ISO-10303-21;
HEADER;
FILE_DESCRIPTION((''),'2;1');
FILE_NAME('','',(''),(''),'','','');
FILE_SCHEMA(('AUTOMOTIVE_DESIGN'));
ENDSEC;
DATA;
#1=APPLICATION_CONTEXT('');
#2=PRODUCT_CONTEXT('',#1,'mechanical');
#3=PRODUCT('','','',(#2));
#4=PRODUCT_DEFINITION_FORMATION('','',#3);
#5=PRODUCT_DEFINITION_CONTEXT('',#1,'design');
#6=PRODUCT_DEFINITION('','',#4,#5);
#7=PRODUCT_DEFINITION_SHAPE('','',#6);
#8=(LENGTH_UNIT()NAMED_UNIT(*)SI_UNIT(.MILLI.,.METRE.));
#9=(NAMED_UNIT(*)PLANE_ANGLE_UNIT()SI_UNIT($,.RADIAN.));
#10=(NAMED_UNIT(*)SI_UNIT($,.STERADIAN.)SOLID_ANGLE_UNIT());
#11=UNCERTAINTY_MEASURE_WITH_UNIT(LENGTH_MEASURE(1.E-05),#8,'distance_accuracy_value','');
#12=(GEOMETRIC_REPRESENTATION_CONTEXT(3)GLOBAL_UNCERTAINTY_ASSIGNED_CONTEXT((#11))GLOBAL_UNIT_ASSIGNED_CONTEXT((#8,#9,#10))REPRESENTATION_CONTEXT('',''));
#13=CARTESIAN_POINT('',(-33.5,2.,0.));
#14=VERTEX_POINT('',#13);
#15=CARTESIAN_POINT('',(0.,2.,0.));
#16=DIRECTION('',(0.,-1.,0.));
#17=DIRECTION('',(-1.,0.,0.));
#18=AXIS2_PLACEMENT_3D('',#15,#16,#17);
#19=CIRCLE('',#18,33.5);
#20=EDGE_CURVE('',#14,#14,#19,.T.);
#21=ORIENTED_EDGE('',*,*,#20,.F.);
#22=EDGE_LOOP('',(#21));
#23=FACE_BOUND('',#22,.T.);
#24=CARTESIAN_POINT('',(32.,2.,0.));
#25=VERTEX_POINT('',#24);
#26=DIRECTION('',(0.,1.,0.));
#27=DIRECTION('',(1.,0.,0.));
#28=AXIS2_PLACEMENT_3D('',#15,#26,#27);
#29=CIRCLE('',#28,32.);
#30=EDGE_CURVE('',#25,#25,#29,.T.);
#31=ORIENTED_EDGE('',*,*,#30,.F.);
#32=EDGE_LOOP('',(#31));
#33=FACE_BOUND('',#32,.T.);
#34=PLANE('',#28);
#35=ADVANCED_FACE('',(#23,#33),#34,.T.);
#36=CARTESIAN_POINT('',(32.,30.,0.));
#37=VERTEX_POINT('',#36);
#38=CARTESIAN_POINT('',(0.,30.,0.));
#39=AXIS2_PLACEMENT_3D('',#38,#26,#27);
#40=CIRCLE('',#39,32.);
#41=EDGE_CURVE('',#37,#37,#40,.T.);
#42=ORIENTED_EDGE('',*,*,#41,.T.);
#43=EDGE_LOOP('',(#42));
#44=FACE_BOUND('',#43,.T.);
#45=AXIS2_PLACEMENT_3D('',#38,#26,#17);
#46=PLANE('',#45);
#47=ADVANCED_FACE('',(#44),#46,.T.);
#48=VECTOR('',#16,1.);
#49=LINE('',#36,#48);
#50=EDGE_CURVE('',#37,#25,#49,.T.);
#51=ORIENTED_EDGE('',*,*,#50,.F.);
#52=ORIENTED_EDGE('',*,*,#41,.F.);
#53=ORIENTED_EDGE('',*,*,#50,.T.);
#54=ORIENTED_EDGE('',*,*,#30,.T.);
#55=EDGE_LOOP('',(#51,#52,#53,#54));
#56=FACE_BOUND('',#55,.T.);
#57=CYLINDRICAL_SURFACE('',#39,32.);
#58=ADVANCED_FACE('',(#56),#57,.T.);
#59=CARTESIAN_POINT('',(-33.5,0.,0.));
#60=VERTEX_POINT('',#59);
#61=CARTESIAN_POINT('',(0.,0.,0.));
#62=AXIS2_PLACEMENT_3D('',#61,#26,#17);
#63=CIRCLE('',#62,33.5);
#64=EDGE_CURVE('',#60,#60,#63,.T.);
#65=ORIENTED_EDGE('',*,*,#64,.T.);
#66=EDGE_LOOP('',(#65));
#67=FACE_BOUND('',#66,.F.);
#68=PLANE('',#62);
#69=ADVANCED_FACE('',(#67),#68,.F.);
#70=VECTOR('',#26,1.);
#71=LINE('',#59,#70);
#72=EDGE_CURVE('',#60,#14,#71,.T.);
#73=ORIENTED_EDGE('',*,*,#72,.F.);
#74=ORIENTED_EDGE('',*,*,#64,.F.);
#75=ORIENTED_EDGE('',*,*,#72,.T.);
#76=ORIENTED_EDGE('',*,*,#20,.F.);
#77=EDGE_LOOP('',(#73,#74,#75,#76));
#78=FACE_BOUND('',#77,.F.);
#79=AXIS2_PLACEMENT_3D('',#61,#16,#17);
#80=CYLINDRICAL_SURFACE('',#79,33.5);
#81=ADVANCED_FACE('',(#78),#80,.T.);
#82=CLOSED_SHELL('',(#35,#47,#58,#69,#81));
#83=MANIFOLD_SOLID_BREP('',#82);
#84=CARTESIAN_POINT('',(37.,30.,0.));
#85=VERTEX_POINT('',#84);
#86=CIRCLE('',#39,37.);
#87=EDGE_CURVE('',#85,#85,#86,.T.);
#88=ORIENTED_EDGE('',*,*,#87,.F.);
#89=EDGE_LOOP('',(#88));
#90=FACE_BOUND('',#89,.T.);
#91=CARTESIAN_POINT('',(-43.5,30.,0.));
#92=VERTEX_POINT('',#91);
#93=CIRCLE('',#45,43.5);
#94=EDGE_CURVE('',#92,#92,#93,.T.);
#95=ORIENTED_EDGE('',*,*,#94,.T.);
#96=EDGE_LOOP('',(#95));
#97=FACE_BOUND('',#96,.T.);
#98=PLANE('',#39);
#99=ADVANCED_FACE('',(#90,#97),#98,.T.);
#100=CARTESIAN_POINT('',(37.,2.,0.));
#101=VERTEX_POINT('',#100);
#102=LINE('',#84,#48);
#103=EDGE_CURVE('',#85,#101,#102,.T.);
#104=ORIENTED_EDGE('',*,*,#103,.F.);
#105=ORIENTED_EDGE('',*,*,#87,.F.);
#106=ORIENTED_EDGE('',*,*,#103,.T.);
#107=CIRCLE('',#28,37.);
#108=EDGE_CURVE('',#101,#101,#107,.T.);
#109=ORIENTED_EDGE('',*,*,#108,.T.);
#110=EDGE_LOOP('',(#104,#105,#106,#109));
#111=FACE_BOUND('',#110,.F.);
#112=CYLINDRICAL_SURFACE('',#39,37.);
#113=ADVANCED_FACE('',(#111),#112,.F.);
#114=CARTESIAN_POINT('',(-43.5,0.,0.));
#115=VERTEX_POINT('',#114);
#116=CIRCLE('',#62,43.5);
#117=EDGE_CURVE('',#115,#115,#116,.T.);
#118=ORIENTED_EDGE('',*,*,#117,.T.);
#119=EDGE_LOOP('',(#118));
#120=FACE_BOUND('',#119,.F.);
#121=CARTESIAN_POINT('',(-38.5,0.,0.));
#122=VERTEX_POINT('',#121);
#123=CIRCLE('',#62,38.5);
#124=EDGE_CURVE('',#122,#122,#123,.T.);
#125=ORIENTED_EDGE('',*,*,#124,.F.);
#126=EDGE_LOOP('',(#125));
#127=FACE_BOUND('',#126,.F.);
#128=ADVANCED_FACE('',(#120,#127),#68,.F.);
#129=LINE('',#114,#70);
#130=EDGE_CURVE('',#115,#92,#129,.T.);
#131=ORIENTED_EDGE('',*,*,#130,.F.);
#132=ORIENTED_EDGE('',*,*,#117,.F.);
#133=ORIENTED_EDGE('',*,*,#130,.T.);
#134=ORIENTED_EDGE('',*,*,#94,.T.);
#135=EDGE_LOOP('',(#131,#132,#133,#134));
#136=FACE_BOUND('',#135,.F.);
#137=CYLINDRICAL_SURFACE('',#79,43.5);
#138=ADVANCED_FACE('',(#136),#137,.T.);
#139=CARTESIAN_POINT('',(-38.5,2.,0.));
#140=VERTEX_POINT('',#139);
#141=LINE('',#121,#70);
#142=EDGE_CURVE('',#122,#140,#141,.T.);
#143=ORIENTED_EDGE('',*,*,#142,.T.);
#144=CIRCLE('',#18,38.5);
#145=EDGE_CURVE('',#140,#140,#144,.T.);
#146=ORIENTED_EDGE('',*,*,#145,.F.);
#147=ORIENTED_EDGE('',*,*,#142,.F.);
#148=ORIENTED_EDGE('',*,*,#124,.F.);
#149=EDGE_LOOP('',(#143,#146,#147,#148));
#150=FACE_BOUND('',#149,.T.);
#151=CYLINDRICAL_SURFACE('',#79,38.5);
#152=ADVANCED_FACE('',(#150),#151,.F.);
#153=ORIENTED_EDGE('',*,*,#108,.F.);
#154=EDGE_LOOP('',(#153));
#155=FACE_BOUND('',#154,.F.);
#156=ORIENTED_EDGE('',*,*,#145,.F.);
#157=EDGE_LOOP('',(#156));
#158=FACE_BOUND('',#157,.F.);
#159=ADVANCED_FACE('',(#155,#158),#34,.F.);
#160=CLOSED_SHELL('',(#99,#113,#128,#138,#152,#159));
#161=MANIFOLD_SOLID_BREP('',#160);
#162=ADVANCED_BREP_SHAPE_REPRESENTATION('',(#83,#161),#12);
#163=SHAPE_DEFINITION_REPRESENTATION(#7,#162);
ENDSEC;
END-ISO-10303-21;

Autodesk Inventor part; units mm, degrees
ref_plane "YZ Plane" through (0, 0, 0) normal (1, 0, 0) x (0, 1, 0)
ref_plane "XZ Plane" through (0, 0, 0) normal (0, 1, 0) x (-1, 0, 0)
ref_plane "XY Plane" through (0, 0, 0) normal (0, 0, 1) x (1, 0, 0)
sketch "스케치1" plane through (0, 0, 0) normal (0, 1, 0) x (-1, 0, 0)
  circle A0 centre (0, 0) radius 43.5
  circle A1 centre (0, 0) radius 38.5
  circle A2 centre (0, 0) radius 33.5
  dimension "d0" = 87
  dimension "d1" = 77
  dimension "d2" = 67
extrude "돌출1" add sketch "스케치1" along normal blind 30
sketch "스케치2" plane through (0, 30, 0) normal (0, 1, 0) x (1, 0, 0)
  circle A0 centre (0, 0) radius 33.5 projected
  circle A1 centre (0, 0) radius 32
  dimension "d5" = 64
extrude "돌출2" cut sketch "스케치2" against normal blind 28
sketch "스케치3" plane through (0, 30, 0) normal (0, 1, 0) x (1, 0, 0)
  circle A0 centre (0, 0) radius 38.5 projected
  circle A1 centre (0, 0) radius 43.5 projected
  circle A2 centre (0, 0) radius 37
  dimension "d8" = 74
extrude "돌출3" add sketch "스케치3" against normal blind 28 contours A0
properties part number "실리콘틀_위" material "나일론, 이황화 몰리브덴"
